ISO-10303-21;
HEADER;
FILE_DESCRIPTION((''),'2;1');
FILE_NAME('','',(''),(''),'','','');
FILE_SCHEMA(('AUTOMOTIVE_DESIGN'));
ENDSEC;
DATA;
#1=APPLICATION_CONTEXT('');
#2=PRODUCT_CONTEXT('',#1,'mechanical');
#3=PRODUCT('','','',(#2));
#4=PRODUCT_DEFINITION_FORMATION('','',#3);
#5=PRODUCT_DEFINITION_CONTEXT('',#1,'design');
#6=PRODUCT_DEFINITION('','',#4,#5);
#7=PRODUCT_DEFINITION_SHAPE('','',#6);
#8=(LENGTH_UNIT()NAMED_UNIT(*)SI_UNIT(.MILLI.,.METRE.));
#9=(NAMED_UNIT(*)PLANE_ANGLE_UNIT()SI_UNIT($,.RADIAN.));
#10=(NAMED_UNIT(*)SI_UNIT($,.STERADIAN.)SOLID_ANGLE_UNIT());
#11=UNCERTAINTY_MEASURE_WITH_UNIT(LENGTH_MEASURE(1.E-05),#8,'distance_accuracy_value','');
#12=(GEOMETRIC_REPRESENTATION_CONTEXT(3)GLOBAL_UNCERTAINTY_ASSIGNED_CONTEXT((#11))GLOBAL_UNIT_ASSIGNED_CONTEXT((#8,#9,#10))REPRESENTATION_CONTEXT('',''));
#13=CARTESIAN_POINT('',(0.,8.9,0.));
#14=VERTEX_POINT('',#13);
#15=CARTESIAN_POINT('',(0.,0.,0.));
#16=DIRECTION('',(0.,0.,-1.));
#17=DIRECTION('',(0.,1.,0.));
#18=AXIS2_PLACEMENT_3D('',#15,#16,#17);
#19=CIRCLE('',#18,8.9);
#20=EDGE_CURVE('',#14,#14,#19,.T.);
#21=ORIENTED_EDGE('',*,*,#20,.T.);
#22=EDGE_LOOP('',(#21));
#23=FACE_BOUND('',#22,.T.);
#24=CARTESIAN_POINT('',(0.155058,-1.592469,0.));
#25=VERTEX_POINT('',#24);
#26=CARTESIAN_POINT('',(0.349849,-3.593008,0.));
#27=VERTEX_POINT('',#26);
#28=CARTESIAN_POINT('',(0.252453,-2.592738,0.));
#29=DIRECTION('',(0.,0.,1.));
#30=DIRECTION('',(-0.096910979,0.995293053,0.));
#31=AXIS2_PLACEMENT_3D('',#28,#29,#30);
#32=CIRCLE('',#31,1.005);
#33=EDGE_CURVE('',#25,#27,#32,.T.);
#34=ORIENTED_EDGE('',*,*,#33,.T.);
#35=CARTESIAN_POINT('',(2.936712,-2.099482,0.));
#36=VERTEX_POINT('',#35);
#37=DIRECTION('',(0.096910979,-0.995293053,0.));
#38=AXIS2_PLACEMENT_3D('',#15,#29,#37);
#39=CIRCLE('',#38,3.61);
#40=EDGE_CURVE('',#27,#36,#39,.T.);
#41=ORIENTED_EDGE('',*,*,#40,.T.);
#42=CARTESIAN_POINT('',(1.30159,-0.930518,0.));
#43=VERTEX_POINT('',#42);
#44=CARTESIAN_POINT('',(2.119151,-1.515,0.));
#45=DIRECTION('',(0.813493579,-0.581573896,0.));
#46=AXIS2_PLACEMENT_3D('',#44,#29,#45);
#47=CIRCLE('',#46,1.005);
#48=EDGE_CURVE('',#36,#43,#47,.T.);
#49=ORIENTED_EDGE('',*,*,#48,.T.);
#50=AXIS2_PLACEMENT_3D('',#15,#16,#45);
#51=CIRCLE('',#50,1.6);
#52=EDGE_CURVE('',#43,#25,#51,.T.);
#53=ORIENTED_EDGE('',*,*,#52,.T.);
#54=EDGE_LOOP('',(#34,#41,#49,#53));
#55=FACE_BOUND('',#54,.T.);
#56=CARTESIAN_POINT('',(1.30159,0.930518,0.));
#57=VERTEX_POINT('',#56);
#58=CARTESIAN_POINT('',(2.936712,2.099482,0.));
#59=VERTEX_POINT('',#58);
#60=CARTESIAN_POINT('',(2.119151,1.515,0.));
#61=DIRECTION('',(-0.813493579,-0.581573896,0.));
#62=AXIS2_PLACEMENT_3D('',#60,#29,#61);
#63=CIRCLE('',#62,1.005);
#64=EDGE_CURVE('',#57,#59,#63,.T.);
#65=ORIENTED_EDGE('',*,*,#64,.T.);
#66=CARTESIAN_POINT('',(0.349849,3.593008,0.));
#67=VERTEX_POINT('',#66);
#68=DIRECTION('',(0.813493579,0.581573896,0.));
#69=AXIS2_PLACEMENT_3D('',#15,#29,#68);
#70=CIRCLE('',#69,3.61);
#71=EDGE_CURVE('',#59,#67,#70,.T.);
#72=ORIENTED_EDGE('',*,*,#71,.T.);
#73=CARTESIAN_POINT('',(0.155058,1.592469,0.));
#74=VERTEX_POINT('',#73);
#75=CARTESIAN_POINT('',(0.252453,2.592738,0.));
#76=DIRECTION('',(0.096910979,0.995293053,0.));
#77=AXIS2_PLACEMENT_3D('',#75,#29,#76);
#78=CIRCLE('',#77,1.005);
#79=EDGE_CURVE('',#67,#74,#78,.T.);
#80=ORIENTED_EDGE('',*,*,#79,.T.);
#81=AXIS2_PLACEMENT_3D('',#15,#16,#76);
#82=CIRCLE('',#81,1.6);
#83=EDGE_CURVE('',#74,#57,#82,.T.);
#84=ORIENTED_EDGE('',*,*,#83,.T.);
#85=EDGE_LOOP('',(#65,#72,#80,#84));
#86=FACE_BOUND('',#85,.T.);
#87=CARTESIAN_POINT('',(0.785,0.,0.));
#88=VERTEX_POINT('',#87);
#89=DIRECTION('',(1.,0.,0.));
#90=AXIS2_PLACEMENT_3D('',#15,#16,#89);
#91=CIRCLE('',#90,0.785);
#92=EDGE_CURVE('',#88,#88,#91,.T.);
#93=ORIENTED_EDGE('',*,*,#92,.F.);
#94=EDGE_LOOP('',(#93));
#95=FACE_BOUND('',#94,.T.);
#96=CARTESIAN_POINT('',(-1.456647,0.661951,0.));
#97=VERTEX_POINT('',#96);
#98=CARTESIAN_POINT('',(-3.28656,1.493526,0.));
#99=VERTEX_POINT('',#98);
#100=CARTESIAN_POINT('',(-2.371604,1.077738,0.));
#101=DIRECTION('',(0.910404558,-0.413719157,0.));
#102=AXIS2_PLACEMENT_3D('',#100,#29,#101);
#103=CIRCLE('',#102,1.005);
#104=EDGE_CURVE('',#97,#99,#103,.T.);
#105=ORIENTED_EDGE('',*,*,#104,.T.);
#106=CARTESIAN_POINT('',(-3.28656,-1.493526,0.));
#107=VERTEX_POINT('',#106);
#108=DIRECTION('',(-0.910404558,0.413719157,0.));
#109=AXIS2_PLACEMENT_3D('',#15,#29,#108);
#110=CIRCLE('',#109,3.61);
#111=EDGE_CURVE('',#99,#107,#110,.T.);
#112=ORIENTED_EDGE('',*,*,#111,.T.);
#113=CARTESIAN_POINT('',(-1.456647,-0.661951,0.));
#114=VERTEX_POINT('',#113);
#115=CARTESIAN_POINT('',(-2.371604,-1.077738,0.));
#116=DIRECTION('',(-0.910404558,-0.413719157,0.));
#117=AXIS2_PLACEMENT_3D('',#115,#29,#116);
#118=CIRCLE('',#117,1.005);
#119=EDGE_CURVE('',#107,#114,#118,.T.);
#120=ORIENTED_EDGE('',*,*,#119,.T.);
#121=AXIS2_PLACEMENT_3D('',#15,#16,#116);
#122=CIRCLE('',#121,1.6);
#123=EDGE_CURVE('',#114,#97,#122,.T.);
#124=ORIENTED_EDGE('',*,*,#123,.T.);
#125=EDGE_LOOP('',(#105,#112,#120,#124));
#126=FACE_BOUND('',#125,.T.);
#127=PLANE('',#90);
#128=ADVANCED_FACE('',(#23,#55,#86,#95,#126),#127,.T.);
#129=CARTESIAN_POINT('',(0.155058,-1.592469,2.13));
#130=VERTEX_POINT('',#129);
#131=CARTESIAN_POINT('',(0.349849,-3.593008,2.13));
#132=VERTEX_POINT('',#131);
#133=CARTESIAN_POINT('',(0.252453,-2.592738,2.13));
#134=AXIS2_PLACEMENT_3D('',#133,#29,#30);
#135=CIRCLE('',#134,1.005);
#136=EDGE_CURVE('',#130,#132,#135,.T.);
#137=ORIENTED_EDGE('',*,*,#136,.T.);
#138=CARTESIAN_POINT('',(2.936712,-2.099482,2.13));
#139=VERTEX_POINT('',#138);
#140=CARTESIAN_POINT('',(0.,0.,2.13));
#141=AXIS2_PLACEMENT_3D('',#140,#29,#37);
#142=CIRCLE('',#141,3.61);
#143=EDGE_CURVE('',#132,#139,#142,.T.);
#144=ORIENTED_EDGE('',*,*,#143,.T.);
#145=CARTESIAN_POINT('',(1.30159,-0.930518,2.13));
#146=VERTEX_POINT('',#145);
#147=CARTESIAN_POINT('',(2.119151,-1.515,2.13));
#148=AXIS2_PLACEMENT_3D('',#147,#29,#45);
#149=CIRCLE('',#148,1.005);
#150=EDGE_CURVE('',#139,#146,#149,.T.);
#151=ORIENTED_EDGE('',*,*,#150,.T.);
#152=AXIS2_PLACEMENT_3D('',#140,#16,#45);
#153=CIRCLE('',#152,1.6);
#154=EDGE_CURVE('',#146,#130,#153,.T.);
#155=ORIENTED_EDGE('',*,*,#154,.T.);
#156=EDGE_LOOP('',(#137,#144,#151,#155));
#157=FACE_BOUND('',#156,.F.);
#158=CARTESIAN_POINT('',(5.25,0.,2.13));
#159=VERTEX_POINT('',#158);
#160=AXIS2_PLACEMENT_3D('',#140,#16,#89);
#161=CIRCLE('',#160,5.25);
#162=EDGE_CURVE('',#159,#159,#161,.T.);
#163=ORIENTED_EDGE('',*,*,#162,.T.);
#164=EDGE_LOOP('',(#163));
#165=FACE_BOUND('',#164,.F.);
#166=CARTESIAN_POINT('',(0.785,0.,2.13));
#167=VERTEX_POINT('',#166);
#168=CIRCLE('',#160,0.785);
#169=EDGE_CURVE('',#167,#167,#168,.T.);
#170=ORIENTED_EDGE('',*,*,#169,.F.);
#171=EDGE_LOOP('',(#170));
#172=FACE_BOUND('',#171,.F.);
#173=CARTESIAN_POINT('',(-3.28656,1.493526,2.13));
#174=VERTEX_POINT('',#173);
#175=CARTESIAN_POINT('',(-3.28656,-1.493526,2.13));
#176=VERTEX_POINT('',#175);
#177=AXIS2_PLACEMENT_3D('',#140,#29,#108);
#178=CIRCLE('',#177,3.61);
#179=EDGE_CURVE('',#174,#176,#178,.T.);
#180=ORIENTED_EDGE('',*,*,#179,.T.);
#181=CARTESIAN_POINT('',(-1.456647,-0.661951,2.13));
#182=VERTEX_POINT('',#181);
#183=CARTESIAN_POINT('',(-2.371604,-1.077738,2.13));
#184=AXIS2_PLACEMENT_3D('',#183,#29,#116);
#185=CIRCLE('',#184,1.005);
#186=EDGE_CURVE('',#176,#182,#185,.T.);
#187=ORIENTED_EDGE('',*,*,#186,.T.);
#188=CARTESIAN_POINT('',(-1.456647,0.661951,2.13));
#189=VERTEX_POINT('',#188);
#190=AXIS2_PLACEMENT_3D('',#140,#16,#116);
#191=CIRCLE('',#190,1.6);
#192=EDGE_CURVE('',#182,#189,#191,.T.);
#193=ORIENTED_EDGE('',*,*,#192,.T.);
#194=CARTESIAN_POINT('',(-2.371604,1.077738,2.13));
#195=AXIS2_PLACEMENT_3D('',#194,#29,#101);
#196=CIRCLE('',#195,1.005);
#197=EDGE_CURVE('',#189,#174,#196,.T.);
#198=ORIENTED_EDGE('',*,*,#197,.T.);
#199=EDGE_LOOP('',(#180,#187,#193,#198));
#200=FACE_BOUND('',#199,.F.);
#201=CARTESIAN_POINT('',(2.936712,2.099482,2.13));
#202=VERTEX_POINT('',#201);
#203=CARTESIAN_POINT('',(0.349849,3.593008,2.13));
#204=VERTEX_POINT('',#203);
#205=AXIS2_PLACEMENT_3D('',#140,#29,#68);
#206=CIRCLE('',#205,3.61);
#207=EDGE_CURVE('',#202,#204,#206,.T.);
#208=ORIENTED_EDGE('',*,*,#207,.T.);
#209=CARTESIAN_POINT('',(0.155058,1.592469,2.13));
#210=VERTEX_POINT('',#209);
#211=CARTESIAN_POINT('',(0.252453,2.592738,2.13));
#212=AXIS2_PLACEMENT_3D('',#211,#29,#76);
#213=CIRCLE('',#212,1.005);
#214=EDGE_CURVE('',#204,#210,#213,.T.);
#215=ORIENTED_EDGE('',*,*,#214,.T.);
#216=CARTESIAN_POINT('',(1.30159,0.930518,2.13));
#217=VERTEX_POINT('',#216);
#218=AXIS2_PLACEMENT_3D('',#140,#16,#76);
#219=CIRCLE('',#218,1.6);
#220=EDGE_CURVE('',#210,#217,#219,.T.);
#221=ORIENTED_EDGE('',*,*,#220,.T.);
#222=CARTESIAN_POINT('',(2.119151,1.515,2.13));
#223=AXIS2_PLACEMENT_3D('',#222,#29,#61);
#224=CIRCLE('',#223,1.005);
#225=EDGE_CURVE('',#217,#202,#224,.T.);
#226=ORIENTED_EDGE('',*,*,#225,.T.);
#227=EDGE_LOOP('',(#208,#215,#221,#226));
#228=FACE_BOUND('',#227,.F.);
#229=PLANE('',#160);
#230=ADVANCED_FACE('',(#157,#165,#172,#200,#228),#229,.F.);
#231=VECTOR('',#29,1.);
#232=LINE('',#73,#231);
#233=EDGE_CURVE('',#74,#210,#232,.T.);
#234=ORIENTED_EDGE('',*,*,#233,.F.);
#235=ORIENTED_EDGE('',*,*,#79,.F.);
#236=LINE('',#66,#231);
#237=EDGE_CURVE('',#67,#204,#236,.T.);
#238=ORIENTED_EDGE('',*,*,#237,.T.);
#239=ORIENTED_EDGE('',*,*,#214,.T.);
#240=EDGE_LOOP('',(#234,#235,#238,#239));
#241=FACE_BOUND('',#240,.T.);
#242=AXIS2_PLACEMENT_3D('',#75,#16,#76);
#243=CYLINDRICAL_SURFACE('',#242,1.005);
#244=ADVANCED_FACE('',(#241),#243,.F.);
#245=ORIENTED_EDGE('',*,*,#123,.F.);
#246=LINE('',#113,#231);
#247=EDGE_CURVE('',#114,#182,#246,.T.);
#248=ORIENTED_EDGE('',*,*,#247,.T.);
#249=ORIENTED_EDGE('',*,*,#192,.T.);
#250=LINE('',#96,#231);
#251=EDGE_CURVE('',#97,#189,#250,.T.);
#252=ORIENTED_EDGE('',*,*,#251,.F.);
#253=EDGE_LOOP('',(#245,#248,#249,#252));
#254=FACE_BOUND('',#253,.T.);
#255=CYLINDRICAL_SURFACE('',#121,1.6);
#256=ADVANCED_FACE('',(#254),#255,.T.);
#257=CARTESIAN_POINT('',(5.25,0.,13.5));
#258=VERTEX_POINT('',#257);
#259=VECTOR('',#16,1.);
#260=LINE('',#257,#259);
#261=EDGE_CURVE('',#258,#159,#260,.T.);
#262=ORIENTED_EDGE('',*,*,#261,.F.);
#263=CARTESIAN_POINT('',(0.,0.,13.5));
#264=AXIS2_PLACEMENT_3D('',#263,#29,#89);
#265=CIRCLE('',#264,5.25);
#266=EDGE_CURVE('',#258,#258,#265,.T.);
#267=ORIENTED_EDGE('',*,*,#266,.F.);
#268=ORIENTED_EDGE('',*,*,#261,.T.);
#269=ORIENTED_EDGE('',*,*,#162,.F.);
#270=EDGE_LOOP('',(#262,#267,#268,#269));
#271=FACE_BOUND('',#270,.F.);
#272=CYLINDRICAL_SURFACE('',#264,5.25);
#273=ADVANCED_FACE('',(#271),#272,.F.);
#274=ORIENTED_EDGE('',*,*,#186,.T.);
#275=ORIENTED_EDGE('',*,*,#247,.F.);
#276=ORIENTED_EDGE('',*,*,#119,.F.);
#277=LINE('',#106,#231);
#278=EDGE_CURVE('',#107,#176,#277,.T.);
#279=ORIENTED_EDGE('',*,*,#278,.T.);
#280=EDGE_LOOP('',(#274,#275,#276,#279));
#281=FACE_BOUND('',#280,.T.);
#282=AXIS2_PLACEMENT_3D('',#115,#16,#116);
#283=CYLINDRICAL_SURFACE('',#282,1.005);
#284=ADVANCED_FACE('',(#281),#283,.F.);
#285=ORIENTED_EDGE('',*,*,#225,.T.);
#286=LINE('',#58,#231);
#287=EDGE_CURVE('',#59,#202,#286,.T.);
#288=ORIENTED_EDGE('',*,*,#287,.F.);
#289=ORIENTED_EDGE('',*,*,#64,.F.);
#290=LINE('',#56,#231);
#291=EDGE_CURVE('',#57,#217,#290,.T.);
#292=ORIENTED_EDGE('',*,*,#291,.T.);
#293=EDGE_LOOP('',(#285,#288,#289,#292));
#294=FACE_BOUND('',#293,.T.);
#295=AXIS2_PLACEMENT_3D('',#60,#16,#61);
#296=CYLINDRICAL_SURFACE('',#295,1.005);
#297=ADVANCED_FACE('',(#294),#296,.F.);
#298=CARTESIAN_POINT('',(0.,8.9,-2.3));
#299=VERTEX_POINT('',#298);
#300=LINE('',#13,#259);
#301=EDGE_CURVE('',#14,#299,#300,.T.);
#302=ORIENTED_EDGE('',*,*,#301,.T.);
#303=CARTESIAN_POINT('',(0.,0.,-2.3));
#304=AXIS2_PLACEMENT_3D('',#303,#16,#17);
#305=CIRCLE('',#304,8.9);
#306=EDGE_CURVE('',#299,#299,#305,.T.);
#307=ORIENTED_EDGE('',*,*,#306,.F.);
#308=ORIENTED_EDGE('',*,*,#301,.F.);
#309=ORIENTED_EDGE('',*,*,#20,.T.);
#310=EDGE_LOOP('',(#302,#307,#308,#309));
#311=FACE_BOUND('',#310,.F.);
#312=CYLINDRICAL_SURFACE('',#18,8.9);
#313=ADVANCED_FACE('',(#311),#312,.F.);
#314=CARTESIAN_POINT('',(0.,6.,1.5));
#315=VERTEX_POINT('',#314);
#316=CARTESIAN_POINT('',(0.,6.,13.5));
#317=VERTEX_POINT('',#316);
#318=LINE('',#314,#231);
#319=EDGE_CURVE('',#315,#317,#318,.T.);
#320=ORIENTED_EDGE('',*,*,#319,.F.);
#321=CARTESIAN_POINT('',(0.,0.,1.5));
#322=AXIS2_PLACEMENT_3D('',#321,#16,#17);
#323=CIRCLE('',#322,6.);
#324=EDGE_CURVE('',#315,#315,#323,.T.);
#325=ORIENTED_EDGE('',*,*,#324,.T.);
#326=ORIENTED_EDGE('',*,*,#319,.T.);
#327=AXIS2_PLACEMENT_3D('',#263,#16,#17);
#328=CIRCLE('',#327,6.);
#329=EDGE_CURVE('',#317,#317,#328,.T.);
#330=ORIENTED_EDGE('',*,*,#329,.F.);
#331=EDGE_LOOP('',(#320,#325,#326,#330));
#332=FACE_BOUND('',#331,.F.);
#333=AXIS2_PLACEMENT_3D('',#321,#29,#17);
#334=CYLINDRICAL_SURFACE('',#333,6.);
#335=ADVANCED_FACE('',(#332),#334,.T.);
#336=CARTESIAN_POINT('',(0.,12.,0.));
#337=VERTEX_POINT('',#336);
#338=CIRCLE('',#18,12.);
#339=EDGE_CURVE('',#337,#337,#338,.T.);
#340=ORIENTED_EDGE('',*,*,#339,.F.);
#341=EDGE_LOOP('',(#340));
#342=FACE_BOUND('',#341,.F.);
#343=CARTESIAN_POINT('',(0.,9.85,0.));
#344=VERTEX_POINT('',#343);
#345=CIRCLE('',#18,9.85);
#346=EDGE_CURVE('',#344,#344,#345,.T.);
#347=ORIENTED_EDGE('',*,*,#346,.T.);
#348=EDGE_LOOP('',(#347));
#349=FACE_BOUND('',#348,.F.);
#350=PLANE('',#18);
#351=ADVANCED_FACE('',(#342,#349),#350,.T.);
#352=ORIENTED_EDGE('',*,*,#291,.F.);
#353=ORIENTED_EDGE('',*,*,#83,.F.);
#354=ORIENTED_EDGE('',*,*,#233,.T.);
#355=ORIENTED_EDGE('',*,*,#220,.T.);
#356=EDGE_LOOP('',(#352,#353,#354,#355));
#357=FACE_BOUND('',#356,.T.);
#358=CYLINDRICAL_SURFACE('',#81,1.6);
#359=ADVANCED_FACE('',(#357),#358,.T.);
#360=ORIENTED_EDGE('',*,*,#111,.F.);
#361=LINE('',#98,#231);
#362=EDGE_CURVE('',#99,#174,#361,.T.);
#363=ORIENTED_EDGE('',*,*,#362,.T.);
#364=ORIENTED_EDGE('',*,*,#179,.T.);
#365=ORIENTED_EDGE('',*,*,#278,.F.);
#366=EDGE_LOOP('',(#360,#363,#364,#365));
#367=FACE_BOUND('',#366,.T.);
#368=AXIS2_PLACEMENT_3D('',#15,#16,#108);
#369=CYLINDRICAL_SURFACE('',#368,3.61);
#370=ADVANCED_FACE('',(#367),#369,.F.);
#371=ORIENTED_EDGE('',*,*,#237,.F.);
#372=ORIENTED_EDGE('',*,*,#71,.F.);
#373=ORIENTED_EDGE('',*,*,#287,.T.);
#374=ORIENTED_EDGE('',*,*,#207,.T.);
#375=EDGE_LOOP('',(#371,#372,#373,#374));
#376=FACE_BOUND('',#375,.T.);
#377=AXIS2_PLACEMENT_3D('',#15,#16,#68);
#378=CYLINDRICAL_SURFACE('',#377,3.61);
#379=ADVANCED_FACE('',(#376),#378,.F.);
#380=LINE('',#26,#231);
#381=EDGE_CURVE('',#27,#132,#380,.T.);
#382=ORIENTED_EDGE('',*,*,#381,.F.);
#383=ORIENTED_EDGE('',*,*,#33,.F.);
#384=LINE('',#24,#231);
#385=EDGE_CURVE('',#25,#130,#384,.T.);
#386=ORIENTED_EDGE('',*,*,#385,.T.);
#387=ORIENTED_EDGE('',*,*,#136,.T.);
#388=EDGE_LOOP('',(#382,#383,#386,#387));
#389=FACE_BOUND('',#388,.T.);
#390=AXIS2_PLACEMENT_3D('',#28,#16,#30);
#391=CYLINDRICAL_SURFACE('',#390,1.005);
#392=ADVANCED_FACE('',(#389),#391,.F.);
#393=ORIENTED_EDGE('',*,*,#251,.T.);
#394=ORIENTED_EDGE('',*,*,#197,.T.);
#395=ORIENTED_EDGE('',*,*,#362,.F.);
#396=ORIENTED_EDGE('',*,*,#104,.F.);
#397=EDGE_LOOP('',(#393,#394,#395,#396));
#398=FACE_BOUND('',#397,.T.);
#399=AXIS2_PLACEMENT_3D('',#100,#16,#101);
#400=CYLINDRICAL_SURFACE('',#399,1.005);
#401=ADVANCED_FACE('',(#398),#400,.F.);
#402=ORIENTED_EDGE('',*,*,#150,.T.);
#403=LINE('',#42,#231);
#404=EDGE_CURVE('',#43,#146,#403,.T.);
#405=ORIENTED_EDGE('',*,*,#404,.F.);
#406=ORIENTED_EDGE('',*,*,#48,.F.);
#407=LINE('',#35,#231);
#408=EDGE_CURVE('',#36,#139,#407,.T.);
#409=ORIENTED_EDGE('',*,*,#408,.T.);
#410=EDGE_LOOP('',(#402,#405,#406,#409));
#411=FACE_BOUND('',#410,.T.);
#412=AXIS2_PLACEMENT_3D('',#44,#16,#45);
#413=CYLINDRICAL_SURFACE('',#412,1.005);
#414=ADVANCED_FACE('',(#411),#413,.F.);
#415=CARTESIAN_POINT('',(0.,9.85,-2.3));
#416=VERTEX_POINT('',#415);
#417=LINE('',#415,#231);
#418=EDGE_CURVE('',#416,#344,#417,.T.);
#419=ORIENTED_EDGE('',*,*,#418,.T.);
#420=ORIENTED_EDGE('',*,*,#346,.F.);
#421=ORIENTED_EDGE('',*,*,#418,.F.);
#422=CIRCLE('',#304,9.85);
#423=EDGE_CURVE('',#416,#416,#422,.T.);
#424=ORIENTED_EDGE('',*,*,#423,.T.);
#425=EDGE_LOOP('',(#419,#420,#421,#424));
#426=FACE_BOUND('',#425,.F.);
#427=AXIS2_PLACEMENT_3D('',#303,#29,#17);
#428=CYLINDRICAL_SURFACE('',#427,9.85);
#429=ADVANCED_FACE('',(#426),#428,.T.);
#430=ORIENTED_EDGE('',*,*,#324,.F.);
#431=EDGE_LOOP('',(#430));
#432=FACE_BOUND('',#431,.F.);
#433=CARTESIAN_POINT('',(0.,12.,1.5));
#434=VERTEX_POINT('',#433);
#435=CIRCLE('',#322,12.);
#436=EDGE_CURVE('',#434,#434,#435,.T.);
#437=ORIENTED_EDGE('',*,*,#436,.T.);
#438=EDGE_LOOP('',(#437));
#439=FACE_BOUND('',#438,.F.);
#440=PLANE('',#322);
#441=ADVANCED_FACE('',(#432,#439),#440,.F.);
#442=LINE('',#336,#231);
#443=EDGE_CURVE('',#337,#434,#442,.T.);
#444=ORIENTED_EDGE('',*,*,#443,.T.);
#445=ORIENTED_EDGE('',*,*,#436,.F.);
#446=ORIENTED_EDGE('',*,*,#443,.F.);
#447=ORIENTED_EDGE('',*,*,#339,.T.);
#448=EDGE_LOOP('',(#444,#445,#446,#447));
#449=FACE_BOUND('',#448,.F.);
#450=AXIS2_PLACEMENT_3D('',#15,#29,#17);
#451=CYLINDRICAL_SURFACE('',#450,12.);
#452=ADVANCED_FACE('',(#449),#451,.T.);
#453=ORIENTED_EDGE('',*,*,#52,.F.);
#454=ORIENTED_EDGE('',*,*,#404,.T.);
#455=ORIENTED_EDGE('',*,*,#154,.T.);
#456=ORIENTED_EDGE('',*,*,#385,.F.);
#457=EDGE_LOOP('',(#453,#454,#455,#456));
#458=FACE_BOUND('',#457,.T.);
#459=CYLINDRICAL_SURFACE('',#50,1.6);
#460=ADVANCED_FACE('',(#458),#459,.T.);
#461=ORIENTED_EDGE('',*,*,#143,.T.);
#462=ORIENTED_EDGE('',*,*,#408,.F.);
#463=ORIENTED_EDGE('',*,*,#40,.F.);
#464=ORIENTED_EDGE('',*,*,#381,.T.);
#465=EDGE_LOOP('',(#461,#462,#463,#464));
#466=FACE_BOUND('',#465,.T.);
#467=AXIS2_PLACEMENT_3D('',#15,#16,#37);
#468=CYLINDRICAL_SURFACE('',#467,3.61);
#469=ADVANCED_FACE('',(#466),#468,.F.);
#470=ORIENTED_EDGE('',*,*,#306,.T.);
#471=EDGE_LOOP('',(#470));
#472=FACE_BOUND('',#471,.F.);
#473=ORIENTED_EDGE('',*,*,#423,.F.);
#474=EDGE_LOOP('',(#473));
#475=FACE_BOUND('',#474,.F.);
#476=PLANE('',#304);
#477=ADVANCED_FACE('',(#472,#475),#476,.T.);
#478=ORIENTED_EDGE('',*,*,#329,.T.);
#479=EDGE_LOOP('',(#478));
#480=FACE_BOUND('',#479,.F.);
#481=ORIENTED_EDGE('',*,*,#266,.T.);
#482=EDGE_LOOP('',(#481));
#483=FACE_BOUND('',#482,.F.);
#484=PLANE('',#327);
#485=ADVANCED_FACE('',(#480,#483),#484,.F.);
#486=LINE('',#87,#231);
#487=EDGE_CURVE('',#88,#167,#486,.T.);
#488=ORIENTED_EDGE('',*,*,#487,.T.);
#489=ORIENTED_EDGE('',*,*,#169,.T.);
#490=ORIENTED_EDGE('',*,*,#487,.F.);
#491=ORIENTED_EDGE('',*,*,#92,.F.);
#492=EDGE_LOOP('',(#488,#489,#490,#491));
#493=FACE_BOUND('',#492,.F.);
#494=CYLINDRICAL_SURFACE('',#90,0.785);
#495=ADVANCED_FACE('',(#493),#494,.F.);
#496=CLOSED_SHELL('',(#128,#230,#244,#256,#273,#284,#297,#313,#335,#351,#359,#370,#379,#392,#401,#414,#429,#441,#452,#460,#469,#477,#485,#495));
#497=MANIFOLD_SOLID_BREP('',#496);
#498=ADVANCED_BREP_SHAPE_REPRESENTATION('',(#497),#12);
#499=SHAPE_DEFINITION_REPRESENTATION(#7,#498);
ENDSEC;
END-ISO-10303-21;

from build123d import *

# Parameters (mm, degrees)
F2_R     = 5.25
F3_DEPTH = 15.801
F4_R     = 5.25
F4_R_2   = 0.785
F5_DEPTH = 2.13


with BuildPart() as f1:
    # F0 (on Right) → F1 (revolve)
    with BuildSketch(Plane.YZ):
        Polygon((0, 13.5), (0, 0), (8.9, 0), (8.9, -2.3), (9.85, -2.3), (9.85, 0), (12, 0), (12, 1.5), (6, 1.5), (6, 13.5), align=None)
    revolve(axis=Axis((0, 0, 6.75), (0, 0, -1)))

    # F2 (on face) → F3 (cut, through all)
    with BuildSketch(Plane.XY.offset(13.5)):
        Circle(F2_R)
    extrude(amount=-F3_DEPTH, mode=Mode.SUBTRACT)

    # F4 (on face) → F5 (join)
    with BuildSketch(Plane(origin=(0, 0, 0), x_dir=(1, 0, 0), z_dir=(0, 0, -1))):
        Circle(F4_R)
        with BuildLine():
            ThreePointArc((0.3498486339, -3.5930079228), (-0.7478164186, -2.6901339379), (0.1550575663, -1.5924688855))
            ThreePointArc((0.1550575663, -1.5924688855), (0.8, -1.3856406461), (1.3015897264, -0.9305182342))
            ThreePointArc((1.3015897264, -0.9305182342), (2.7036325391, -0.6974389531), (2.9367118202, -2.0994817658))
            ThreePointArc((2.9367118202, -2.0994817658), (1.805, -3.1263517077), (0.3498486339, -3.5930079228))
        make_face(mode=Mode.SUBTRACT)
        with BuildLine():
            ThreePointArc((-3.2865604541, -1.493526157), (-3.61, 0), (-3.2865604541, 1.493526157))
            ThreePointArc((-3.2865604541, 1.493526157), (-1.9558161205, 1.9926949848), (-1.4566472927, 0.6619506513))
            ThreePointArc((-1.4566472927, 0.6619506513), (-1.6, 0), (-1.4566472927, -0.6619506513))
            ThreePointArc((-1.4566472927, -0.6619506513), (-1.9558161205, -1.9926949848), (-3.2865604541, -1.493526157))
        make_face(mode=Mode.SUBTRACT)
        Circle(F4_R_2, mode=Mode.SUBTRACT)
        with BuildLine():
            ThreePointArc((0.3498486339, 3.5930079228), (1.805, 3.1263517077), (2.9367118202, 2.0994817658))
            ThreePointArc((2.9367118202, 2.0994817658), (2.7036325391, 0.6974389531), (1.3015897264, 0.9305182342))
            ThreePointArc((1.3015897264, 0.9305182342), (0.8, 1.3856406461), (0.1550575663, 1.5924688855))
            ThreePointArc((0.1550575663, 1.5924688855), (-0.7478164186, 2.6901339379), (0.3498486339, 3.5930079228))
        make_face(mode=Mode.SUBTRACT)
    extrude(amount=-F5_DEPTH)


solid = f1.part
